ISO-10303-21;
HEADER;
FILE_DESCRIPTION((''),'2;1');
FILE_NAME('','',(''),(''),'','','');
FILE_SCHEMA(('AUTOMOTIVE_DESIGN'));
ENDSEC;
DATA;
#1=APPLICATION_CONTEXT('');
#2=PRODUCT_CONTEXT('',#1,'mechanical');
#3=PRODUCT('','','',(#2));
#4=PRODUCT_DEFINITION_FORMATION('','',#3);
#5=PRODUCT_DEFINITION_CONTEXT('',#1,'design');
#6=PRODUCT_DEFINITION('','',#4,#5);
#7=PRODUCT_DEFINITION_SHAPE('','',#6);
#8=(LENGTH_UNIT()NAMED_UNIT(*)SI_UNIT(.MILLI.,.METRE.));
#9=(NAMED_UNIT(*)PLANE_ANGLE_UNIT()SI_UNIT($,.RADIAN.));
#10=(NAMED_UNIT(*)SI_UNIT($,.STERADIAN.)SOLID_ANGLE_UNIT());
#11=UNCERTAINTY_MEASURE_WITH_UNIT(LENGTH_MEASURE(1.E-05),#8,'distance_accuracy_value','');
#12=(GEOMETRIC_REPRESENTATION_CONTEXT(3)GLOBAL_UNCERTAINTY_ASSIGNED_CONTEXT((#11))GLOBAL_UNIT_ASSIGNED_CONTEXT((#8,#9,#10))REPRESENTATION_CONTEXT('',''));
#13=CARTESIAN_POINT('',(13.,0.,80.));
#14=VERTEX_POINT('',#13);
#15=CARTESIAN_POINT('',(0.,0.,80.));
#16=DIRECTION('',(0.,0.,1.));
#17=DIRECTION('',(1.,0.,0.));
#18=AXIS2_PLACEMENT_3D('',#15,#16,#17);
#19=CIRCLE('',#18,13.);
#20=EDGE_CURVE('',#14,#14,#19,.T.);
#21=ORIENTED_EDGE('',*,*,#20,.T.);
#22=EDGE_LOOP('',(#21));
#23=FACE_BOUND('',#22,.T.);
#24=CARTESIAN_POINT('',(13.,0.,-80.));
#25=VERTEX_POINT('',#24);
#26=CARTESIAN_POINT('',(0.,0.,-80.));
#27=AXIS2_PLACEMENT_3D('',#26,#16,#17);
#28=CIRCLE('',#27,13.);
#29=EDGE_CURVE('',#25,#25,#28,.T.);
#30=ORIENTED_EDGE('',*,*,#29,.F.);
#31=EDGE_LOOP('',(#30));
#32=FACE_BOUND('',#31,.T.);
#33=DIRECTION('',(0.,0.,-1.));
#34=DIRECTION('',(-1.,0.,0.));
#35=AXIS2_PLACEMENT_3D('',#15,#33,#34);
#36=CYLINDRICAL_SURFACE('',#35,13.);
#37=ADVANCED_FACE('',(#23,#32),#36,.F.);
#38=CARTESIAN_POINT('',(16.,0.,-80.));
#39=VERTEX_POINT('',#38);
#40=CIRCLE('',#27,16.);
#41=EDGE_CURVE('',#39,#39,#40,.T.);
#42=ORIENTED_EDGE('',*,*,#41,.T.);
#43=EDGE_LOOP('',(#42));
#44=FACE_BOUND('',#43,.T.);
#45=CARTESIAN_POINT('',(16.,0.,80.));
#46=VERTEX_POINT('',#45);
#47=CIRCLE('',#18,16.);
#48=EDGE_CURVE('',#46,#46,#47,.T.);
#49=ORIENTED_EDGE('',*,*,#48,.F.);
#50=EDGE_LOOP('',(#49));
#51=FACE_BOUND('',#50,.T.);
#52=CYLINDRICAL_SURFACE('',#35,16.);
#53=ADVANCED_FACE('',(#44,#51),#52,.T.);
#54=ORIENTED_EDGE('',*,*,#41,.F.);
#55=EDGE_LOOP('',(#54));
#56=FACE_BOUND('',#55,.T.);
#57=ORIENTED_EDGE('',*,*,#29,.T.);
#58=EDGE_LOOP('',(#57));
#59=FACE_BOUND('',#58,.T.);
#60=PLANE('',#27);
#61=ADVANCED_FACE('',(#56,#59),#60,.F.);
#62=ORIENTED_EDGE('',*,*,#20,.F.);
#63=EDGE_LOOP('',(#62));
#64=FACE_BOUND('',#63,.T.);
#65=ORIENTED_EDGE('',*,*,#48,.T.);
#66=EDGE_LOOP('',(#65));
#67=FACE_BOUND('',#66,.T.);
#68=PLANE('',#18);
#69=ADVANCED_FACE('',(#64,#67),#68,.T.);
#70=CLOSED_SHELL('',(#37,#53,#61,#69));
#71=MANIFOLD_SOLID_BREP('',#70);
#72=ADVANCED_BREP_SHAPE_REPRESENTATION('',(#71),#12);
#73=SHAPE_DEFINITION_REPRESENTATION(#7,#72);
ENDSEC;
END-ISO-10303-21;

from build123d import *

# Parameters (mm, degrees)
CROQUIS1_R     = 16
EXTRUIR1_DEPTH = 80
VACIADO1_T     = -3


with BuildPart() as part:
    # Croquis1 → Extruir1 (new, symmetric)
    with BuildSketch(Plane.XY):
        Circle(CROQUIS1_R)
    extrude(amount=EXTRUIR1_DEPTH, both=True)

    # Vaciado1
    vaciado1_openings = [part.faces().sort_by_distance(p)[0] for p in [
        (0, 0, 80),
        (0, 0, -80),
    ]]
    offset(amount=VACIADO1_T, openings=vaciado1_openings, kind=Kind.INTERSECTION)


solid = part.part
